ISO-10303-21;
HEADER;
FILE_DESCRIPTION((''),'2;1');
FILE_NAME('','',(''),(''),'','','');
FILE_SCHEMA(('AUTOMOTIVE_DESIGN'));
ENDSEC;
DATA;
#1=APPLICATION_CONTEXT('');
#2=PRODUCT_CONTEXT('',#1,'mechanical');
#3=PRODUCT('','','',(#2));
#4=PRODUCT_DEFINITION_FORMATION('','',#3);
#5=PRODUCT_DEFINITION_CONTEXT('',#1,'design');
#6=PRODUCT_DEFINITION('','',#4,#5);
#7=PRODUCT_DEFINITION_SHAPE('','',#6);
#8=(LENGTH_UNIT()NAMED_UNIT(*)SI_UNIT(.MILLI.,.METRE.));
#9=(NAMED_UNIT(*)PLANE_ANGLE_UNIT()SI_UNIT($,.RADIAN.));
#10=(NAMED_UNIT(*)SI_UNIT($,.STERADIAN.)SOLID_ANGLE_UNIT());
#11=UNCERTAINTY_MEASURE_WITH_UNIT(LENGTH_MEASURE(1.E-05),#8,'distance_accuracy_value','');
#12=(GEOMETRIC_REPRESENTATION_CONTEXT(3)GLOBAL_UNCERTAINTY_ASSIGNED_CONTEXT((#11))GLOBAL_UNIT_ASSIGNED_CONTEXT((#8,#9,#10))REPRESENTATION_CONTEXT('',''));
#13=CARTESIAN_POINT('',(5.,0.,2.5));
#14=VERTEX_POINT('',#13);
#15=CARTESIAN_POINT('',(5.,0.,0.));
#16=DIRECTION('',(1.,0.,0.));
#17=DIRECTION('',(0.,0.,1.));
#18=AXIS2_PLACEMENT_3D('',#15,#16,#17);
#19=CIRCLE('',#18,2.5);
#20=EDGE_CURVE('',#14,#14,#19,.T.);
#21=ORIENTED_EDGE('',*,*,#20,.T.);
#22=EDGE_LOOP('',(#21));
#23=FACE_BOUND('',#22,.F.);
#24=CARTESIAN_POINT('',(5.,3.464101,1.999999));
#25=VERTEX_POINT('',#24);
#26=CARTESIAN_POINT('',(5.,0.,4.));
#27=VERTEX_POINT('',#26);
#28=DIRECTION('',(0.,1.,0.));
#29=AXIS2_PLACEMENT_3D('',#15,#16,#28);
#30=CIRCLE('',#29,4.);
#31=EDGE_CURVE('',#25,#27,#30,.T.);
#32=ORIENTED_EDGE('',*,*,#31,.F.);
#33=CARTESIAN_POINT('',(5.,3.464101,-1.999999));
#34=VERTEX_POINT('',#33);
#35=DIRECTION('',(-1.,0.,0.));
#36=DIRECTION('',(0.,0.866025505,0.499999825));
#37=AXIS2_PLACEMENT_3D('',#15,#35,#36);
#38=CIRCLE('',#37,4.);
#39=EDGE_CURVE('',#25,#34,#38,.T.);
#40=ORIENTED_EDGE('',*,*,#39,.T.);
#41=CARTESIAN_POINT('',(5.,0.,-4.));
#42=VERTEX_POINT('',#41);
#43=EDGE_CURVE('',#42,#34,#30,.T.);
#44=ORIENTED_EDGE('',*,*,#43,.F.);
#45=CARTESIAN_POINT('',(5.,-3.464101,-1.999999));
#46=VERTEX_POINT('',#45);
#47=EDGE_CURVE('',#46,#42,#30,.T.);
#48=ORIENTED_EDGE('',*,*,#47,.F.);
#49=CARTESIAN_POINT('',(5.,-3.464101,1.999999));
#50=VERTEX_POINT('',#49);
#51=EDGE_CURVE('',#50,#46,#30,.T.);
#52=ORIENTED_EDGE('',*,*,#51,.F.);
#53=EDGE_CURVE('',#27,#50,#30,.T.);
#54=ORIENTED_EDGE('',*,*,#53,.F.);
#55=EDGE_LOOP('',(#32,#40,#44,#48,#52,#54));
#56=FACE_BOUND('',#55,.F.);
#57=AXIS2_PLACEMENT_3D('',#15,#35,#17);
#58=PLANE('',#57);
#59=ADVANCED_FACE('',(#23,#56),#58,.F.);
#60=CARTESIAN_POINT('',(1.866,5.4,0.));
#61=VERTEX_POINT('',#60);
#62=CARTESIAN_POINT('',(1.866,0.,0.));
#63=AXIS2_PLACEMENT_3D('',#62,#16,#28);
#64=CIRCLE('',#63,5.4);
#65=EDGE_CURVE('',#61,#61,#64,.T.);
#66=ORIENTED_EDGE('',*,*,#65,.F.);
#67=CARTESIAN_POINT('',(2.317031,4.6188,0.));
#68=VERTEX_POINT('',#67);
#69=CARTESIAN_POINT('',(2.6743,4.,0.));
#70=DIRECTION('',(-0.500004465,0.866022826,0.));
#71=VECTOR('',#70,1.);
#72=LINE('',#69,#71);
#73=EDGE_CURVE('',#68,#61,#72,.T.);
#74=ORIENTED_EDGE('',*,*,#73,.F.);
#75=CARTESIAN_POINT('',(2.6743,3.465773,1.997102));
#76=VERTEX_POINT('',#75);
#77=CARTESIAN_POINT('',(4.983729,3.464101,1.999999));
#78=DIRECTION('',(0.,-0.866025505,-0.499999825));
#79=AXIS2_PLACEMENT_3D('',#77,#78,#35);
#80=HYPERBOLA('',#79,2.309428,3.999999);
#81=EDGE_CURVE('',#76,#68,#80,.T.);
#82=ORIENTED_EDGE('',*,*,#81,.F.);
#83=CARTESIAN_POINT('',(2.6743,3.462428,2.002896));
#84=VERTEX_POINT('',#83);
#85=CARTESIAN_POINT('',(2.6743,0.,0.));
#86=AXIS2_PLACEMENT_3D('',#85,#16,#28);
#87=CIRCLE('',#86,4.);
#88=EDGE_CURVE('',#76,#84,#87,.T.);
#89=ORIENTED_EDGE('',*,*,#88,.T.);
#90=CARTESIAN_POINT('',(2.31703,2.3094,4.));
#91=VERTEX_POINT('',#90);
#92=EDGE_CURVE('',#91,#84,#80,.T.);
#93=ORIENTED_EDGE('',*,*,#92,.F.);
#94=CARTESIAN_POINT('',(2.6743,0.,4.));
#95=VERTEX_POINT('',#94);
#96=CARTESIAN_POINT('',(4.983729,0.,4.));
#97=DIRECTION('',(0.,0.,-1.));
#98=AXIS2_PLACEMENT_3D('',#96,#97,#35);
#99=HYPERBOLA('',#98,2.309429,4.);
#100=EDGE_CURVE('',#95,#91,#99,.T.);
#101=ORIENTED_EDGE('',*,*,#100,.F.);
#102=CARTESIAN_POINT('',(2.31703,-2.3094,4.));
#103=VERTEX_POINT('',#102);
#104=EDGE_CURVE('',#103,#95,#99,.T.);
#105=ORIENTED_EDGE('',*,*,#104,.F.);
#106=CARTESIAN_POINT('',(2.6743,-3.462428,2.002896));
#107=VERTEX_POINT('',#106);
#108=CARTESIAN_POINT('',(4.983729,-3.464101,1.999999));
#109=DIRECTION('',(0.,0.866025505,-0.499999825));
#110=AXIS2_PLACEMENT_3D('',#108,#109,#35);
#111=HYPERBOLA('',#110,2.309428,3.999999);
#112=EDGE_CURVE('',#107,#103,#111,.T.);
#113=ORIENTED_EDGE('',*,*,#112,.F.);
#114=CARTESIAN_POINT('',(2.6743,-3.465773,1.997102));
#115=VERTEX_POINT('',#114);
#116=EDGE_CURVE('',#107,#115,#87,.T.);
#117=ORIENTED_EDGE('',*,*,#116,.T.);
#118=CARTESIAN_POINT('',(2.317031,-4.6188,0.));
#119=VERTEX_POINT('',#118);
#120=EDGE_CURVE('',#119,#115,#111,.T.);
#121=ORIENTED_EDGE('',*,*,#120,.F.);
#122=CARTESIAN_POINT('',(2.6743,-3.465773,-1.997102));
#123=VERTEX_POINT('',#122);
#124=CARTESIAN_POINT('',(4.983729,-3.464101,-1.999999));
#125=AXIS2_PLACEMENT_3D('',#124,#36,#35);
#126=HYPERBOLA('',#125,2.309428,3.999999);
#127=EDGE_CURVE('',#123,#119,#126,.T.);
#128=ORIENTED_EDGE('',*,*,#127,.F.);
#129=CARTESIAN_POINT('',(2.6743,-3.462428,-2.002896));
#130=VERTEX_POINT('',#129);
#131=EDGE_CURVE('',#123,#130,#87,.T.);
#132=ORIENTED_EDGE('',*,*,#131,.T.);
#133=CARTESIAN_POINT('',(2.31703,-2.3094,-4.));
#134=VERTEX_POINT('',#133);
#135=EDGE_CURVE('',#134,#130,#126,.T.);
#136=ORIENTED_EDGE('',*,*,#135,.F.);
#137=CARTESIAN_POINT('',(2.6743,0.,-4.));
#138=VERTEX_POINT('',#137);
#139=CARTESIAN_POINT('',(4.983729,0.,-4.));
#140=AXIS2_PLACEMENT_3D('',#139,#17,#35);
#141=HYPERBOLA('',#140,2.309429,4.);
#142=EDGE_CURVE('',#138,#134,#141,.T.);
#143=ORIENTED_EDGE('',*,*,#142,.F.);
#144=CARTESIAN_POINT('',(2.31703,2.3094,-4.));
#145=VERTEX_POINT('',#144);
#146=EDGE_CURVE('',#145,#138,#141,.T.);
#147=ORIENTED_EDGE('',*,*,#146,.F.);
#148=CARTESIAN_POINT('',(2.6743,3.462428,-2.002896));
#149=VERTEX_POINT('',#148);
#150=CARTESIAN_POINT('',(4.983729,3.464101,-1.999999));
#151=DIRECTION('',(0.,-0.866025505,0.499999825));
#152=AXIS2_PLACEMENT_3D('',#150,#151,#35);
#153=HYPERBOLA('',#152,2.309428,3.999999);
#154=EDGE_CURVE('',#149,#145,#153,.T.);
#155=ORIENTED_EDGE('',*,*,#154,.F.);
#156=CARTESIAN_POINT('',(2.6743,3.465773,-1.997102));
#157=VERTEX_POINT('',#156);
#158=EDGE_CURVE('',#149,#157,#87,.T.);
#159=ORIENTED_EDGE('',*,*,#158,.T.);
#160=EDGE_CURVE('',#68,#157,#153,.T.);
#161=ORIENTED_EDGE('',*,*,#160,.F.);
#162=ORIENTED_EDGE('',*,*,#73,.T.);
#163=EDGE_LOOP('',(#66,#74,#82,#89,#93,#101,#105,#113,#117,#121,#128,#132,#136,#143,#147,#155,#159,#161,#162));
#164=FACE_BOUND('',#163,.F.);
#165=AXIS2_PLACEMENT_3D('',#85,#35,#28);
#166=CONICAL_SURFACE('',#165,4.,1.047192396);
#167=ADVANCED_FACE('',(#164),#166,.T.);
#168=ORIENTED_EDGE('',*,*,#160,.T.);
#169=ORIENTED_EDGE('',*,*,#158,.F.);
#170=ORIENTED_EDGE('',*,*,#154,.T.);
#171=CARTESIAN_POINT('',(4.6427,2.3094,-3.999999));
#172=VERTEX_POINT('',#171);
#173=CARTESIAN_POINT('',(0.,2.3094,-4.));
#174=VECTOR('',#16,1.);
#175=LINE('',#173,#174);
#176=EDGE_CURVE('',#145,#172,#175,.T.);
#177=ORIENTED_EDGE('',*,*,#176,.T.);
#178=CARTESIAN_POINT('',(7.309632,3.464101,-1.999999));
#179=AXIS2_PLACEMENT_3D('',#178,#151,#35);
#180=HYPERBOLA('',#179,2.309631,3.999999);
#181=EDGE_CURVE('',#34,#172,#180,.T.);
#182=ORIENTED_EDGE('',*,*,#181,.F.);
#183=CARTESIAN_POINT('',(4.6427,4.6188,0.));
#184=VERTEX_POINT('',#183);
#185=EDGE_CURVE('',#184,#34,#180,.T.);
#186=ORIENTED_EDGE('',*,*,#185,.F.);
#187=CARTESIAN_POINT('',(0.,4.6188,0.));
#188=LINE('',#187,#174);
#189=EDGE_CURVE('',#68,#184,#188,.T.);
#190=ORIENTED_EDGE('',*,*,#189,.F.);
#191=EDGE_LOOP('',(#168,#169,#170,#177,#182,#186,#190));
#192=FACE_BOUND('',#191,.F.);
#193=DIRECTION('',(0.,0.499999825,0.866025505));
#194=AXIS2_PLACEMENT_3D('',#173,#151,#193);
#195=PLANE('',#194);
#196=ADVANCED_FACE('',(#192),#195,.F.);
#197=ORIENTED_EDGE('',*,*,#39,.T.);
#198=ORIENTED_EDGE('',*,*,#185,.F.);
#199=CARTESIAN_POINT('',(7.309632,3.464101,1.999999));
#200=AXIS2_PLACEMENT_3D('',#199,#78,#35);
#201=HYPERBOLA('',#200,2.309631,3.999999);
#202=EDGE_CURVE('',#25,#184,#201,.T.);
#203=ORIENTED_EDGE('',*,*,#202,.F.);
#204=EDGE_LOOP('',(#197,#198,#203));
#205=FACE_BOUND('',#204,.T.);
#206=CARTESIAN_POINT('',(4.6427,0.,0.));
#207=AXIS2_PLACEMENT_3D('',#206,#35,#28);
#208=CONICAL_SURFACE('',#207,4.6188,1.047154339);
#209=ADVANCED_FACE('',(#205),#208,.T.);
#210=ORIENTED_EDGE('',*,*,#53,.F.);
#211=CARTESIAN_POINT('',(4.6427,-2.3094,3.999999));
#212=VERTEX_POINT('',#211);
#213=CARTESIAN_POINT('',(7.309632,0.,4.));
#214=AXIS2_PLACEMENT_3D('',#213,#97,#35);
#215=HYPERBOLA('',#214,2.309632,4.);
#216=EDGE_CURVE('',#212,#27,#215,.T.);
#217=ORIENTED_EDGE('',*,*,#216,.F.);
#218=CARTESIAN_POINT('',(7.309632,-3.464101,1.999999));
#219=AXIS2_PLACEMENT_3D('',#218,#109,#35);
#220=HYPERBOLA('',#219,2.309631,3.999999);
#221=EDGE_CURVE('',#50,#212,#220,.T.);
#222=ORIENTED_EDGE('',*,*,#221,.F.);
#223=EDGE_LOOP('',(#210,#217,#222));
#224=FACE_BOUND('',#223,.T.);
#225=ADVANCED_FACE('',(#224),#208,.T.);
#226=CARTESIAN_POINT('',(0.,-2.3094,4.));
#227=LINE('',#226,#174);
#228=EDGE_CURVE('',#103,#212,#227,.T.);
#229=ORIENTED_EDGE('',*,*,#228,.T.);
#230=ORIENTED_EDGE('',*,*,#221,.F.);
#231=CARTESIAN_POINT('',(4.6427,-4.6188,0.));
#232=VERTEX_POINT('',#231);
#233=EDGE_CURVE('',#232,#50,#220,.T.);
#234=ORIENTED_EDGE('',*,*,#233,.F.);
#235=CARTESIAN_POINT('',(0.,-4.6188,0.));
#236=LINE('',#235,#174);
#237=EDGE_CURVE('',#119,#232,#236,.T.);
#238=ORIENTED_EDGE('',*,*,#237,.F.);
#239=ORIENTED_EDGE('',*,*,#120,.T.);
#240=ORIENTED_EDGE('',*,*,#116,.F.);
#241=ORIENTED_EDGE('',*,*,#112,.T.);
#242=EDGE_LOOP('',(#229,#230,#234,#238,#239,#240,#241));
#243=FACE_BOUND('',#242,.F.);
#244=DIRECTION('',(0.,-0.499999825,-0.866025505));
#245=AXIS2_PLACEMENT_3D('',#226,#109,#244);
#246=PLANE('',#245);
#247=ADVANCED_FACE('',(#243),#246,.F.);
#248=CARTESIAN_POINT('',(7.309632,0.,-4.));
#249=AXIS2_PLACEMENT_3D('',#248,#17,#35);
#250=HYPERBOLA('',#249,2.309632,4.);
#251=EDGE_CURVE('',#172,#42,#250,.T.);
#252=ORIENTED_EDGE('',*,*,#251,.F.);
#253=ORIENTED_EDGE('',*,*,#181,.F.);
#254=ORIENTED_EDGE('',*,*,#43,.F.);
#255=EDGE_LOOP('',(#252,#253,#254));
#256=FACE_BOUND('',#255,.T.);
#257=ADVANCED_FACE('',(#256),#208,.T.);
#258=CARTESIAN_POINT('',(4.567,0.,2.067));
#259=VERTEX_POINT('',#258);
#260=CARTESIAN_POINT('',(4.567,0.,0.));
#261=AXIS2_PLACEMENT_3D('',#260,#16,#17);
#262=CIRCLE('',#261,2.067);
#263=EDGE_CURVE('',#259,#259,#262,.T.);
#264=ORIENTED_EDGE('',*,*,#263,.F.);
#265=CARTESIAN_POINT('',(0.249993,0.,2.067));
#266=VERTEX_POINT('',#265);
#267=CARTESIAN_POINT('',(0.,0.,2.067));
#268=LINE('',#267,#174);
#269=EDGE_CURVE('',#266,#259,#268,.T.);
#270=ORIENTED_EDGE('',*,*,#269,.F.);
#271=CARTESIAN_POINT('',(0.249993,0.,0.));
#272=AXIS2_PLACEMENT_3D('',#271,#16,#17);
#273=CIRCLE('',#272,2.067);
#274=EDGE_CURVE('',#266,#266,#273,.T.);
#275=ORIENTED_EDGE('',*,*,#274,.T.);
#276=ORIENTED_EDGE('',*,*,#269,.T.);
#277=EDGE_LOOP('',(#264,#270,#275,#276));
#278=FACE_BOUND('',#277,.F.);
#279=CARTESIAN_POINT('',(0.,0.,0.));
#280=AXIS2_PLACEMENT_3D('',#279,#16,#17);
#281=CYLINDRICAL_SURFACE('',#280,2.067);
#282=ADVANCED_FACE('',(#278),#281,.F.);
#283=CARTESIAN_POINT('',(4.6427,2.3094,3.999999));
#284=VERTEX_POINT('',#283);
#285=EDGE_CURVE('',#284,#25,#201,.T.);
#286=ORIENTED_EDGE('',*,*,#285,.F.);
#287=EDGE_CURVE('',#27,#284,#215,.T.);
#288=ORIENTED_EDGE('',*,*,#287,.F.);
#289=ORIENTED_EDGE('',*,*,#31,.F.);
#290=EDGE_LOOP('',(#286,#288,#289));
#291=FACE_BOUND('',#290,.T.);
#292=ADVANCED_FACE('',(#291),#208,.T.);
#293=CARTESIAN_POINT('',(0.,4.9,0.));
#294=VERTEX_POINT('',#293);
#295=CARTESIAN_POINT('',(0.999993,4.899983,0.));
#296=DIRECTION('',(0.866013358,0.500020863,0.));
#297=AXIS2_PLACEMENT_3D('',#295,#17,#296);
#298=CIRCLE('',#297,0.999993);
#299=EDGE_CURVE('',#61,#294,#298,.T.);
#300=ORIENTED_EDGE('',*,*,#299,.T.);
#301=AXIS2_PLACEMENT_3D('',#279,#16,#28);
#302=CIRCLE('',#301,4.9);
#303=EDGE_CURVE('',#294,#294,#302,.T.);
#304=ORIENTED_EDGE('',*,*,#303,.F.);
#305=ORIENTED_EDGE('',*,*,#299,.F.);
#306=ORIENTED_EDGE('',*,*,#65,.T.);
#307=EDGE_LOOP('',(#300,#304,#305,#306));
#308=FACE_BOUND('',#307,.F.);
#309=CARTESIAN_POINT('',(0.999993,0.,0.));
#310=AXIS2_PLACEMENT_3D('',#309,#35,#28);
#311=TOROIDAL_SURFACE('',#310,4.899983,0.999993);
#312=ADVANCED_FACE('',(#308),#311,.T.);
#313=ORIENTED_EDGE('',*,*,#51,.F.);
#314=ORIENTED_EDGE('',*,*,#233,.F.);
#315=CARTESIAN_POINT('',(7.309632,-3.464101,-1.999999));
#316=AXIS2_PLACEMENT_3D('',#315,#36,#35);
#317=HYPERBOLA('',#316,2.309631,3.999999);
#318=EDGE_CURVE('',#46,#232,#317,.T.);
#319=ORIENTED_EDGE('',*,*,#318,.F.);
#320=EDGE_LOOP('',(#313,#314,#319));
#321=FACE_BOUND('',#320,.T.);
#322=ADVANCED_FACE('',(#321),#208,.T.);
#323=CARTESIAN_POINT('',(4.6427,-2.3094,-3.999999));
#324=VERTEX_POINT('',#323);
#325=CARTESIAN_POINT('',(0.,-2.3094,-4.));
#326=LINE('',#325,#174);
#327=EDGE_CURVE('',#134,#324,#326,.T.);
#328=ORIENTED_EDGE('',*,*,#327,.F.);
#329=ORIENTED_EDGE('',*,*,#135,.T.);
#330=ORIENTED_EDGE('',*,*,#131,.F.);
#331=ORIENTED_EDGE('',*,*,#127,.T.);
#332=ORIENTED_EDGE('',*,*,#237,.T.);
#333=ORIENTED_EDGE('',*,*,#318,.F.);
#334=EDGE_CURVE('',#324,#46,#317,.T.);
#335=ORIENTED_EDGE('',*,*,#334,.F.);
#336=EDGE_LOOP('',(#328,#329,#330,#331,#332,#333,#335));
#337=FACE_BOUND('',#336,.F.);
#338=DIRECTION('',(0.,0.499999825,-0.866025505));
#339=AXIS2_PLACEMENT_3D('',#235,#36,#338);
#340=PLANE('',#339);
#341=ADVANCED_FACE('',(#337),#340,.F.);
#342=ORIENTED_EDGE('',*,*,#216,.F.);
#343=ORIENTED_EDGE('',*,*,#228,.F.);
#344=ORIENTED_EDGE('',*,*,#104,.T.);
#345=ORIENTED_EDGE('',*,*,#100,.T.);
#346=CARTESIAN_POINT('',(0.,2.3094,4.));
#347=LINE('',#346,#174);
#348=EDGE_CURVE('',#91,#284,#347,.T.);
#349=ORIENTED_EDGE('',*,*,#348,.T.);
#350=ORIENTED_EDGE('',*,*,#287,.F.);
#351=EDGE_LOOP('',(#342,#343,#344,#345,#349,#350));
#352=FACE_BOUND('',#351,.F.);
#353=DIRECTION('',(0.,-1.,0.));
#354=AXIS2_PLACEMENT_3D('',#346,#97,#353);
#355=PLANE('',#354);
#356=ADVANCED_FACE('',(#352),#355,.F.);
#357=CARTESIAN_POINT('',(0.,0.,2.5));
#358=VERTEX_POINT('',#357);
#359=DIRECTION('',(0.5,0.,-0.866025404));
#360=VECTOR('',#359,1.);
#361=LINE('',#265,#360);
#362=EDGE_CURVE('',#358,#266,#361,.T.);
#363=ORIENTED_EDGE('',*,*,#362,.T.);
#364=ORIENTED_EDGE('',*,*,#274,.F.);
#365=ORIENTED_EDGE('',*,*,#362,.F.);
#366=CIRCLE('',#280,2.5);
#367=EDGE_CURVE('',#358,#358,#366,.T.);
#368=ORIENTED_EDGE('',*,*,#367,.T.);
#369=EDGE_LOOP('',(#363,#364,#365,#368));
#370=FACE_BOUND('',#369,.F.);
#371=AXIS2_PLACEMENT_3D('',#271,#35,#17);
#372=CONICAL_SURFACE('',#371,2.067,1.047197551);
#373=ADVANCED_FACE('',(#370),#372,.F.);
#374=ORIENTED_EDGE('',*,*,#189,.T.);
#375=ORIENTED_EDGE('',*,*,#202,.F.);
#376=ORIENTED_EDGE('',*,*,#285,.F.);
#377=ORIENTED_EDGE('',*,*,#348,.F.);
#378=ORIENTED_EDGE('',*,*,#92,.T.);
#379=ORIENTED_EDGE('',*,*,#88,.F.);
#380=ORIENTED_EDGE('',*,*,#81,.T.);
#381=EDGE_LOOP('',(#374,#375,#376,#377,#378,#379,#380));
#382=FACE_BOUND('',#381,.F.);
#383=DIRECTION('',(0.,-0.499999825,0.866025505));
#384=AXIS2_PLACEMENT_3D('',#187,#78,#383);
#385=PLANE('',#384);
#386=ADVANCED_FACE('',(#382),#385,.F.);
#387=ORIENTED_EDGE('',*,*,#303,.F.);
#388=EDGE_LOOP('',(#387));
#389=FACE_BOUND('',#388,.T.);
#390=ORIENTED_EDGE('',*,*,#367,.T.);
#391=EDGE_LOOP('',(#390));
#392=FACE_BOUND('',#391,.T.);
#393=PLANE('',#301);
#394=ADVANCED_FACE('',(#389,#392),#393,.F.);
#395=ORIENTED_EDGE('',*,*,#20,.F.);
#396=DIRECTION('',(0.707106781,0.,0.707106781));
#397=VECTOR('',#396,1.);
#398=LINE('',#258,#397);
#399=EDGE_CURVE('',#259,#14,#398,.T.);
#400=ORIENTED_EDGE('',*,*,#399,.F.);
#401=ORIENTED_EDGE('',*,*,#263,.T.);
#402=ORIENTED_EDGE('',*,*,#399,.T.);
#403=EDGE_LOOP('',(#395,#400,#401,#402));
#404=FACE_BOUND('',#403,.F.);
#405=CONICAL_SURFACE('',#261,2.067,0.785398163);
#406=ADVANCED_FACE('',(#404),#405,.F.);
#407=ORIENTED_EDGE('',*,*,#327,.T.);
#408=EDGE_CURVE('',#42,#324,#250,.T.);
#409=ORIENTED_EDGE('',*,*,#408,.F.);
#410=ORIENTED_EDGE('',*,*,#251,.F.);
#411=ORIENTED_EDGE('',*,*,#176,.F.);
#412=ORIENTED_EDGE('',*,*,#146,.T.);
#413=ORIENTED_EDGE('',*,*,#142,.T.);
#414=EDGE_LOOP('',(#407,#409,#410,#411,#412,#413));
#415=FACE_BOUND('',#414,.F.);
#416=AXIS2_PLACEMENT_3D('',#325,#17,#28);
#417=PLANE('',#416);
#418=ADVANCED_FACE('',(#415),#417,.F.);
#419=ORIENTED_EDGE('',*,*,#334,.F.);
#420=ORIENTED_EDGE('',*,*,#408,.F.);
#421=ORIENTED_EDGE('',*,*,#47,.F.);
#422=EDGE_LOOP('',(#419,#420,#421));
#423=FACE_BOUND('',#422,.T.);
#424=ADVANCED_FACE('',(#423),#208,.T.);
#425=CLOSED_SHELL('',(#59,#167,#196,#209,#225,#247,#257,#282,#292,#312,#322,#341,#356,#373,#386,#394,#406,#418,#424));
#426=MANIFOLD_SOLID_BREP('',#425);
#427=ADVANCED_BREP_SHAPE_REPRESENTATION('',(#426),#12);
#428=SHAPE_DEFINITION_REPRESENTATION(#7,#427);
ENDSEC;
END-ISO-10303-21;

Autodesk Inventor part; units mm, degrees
ref_plane "YZ Plane" through (0, 0, 0) normal (1, 0, 0) x (0, 1, 0)
ref_plane "XZ Plane" through (0, 0, 0) normal (0, 1, 0) x (-1, 0, 0)
sketch "Sketch1" plane through (0, 0, 0) normal (0, 0, 1) x (1, 0, 0)
  line L0 (-1.2302, 0) -> (6.0384, 0) projected
  line L1 (2.6743, 4) -> (1.866, 5.4)
  line L2 (2.6743, 4) -> (5, 4) construction
  line L3 (5, 4) -> (5, 0) construction
  arc A0 (1.866, 5.4) -> (0, 4.9) centre (1, 4.9) ccw
  line L4 (2.6743, 4) -> (2.6743, 0)
  line L5 (0, -1.2232) -> (0, 7.3391) projected
  point P0 (0, 0)
  dimension "d2" = 8
  dimension "d4" = 11.8
  dimension "d5" = 1
  dimension "d15" = 5
  dimension "d16" = 30
revolve "Ring" add sketch "Sketch1" angle 360 about axis through (-10, 0, 0) along (1, 0, 0)
sketch "Sketch2" plane through (0, 0, 0) normal (-1, 0, 0) x (0, 0, 1)
  circle A0 centre (0, 0) radius 4.9
  line L0 (-4, -2.3094) -> (-4, 2.3094)
  line L1 (-4, 2.3094) -> (0, 4.6188)
  line L2 (0, 4.6188) -> (4, 2.3094)
  line L3 (4, 2.3094) -> (4, -2.3094)
  line L4 (4, -2.3094) -> (0, -4.6188)
  line L5 (0, -4.6188) -> (-4, -2.3094)
  circle A1 centre (0, 0) radius 4.9 projected
  dimension "d6" = 9.2376
extrude "Body" add sketch "Sketch2" against normal blind 5 contours L0 L1 L2 L3 L4 L5
sketch "Sketch3" plane through (0, 0, 0) normal (0, 0, 1) x (1, 0, 0)
  line L0 (2.3171, 4.6188) -> (5, 4.6188) projected
  line L1 (5, 2.3094) -> (5, 4.6188) projected
  line L2 (0, -4.9) -> (0, 4.9) projected
  line L3 (-1, 0) -> (6, 0) projected
  line L4 (4.6427, 4.6188) -> (5, 4)
  dimension "d10" = 30
  dimension "d11" = 8
revolve "Chamfer1" cut sketch "Sketch3" angle 360 about axis through (-10, 0, 0) along (1, 0, 0)
sketch "Sketch4" plane through (0, 0, 0) normal (-1, 0, 0) x (0, 0, 1)
  circle A0 centre (0, 0) radius 4.9 projected
hole "Thread" at (0, 0, 0) direction (1, 0, 0) diameter 4.134 end through all thread size "M5x0.8" class "6H" standard "ANSI Metric M Profile"
chamfer "Chamfer2" distance 0.433 angle 30 1 edges at (0, 0, -2.067) measured on face at (0, 3.9032, -0.4739)
ref_plane "Work Plane1" through (17.4207, 0, 0) normal (0, 0, -1) x (-1, 0, 0)
chamfer "Chamfer3" distance 0.433 angle 45 1 edges at (5, 0, -2.067)
equation "\"d6\" = 1.1547 * SW"
equation "\"d7\" = KOH"
equation "\"d12\" = -0.5 * GD1 + 0.5 * NND"
equation "\"d46\" = -0.5 * GD1 + 0.5 * NND"
equation "\"d51\" = -0.5 * GD1 + 0.5 * NND"
equation "\"d2\" = SW"
equation "\"d4\" = LADI"
equation "\"d5\" = PHH"
equation "\"d15\" = KOH"
equation "\"d16\" = KEWI"
equation "\"d10\" = ANG1"
equation "\"d11\" = SW0"
equation "\"ANG1\" = 30deg"
equation "\"KEWI\" = 30deg"
equation "\"NND\" = 5"
equation "\"LADI\" = 11.8"
equation "\"SW\" = 8"
equation "\"PHH\" = RR"
equation "\"KOH\" = 5"
equation "\"SW0\" = SW"
equation "\"d1\" = LADI"
equation "\"d3\" = PHH"
equation "\"GUL\" = 0.541266 * PTC"
equation "\"RR\" = 1"
equation "\"THREADDIA\" = 5"
equation "\"TOA\" = 30deg"
equation "\"PTC\" = 0.8"
equation "\"RR1\" = 0.3"
equation "\"GAL\" = 0.541266 * PTC"
equation "\"E0\" = 1.155 * SW"
equation "\"GD1\" = 4.133975"
properties part number "ANSI B18.2.4.4M - M5 x 0.8" material "Steel, Mild"
